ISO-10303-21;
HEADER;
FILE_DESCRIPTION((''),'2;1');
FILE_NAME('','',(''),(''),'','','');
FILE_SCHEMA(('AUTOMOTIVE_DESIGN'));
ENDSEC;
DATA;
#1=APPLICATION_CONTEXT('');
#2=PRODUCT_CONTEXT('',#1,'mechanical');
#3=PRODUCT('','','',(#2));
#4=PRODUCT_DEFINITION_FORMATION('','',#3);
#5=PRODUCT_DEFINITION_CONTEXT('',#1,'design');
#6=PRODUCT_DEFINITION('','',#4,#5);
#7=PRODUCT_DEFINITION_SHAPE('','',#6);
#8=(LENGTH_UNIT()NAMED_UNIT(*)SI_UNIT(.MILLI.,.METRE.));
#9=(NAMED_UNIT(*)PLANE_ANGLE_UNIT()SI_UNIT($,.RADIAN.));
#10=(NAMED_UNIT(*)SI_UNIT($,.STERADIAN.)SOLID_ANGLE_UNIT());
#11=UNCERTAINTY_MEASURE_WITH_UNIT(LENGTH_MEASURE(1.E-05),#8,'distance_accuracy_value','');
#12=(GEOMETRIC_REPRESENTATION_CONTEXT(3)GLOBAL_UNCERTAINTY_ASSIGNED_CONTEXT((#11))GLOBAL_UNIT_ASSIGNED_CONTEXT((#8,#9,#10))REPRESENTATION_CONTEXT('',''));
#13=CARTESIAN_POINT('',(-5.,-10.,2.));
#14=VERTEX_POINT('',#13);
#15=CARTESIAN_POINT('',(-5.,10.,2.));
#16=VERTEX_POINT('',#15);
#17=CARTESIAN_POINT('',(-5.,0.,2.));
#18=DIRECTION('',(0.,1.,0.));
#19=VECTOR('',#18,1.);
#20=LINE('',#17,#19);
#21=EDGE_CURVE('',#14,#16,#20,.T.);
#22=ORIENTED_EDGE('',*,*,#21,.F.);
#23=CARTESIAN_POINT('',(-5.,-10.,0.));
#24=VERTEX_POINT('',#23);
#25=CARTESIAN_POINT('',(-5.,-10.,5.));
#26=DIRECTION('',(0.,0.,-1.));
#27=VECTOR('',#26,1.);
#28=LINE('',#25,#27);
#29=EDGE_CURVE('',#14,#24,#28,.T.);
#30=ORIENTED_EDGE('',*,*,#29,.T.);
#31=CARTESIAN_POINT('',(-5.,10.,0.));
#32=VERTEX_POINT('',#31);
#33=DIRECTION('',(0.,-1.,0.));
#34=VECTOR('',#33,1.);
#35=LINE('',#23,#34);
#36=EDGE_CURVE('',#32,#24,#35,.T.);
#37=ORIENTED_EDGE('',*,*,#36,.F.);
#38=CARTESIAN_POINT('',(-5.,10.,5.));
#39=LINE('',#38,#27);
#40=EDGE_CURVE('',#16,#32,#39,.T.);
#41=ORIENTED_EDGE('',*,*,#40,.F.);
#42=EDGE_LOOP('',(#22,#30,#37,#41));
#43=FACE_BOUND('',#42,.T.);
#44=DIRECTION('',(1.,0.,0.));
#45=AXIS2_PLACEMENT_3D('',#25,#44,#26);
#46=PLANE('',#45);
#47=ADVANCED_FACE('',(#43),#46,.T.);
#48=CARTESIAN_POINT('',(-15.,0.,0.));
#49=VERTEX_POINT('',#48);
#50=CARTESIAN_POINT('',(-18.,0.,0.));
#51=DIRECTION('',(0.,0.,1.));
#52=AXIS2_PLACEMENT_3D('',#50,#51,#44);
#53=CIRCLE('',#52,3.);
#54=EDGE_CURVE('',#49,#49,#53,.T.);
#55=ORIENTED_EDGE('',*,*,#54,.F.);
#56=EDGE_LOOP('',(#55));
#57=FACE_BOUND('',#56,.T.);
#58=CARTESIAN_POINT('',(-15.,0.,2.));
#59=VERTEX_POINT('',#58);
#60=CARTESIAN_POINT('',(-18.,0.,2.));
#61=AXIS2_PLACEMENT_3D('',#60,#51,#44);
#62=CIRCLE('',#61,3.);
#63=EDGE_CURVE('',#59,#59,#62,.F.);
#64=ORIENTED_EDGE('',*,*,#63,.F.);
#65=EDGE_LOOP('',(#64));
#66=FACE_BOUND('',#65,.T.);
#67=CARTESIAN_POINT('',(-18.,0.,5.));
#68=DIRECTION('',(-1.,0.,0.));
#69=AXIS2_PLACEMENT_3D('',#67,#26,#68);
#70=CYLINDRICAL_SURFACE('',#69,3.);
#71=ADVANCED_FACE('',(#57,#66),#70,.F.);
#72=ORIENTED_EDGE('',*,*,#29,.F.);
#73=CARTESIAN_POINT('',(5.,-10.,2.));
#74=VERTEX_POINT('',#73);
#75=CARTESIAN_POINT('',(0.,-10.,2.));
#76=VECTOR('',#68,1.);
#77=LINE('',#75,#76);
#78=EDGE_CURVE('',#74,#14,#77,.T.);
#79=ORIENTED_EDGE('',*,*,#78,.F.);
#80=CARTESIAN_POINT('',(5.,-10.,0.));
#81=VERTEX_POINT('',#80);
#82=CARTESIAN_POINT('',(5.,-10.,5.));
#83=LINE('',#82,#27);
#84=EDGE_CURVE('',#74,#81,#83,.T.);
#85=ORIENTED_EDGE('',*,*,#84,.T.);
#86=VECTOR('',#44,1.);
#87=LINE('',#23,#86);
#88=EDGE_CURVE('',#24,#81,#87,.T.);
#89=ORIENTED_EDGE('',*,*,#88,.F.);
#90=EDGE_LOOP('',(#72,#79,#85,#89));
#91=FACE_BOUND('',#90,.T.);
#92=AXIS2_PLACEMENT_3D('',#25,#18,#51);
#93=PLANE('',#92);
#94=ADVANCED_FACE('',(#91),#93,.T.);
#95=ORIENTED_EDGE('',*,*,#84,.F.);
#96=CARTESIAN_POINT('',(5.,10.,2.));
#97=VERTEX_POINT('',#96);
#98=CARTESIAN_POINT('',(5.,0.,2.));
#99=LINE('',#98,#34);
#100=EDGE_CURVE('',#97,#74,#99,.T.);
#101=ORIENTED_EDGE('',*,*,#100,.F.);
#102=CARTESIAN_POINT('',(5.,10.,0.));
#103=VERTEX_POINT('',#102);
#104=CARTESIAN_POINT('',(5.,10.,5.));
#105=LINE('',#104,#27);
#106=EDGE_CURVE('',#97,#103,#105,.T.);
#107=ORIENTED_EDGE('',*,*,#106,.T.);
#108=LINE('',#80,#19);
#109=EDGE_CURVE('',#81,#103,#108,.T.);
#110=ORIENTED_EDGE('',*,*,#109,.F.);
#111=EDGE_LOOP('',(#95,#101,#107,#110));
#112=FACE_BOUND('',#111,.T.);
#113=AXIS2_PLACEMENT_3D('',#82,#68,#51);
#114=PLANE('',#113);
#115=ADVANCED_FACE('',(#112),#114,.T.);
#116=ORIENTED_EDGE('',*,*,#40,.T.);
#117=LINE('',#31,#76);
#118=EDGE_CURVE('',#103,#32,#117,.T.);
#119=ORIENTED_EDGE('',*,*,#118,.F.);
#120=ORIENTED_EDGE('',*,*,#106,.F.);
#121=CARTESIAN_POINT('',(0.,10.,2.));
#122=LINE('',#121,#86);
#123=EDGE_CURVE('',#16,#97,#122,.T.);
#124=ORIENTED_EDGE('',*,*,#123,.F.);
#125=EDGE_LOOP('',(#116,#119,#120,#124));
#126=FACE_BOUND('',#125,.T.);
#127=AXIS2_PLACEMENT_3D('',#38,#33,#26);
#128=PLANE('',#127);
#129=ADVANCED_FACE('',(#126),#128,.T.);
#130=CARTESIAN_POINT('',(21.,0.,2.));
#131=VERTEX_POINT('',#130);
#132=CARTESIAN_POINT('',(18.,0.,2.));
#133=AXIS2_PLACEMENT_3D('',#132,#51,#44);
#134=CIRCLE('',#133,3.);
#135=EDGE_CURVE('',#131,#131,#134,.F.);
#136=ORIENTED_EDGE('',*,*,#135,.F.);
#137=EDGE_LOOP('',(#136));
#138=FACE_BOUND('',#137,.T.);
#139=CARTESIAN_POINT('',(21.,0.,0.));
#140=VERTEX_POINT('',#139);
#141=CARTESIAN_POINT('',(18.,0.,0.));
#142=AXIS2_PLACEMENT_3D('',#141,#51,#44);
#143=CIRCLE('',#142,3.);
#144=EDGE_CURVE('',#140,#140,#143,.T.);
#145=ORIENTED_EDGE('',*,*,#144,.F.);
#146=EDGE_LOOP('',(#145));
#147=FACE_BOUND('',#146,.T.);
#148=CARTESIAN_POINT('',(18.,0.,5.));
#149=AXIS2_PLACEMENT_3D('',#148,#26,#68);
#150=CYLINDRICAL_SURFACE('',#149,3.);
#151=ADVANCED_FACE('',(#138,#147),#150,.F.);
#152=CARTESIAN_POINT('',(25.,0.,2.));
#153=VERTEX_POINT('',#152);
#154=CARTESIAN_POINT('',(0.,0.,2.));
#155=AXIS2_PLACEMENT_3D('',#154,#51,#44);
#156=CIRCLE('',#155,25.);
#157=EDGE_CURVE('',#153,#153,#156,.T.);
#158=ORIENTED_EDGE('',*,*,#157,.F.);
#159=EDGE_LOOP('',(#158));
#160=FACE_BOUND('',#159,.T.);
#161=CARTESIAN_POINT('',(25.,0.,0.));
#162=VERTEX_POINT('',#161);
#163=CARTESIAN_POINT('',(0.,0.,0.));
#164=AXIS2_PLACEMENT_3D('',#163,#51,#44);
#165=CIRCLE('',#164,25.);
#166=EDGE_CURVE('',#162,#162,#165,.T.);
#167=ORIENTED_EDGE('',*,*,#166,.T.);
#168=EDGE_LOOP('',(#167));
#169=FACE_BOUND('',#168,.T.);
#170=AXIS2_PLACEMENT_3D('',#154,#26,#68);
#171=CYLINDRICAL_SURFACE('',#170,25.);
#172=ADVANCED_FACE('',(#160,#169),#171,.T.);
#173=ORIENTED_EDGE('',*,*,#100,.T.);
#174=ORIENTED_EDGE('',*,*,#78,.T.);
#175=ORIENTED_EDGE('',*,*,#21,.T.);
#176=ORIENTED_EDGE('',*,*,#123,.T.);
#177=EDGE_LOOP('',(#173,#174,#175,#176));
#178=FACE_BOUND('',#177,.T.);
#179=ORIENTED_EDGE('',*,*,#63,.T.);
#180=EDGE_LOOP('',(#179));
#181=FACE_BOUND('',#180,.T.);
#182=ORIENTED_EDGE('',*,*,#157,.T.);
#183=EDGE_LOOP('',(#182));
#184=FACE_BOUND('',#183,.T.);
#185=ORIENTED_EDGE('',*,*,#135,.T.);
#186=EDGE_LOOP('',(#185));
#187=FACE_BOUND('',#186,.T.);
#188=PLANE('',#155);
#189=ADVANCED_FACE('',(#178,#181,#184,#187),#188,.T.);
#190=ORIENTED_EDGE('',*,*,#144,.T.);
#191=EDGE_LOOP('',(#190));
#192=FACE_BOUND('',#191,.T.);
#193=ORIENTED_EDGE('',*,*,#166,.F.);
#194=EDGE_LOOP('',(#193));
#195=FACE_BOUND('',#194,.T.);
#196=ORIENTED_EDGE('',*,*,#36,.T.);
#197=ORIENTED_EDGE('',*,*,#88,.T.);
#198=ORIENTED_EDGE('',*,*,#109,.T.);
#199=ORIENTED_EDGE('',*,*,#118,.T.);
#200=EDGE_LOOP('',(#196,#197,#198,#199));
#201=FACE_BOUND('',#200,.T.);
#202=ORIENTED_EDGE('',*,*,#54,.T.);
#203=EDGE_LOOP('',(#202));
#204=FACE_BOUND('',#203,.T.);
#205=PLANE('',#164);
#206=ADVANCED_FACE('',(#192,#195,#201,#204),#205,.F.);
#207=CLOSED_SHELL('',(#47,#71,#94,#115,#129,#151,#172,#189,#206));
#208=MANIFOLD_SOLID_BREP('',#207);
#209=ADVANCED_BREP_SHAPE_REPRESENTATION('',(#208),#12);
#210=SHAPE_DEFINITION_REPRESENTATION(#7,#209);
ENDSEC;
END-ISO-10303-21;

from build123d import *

# Parameters (mm, degrees)
SKETCH1_R           = 25
BOSS_EXTRUDE1_DEPTH = 2
SKETCH2_W           = 10
SKETCH2_H           = 20
CUT_EXTRUDE1_DEPTH  = 5
SKETCH3_R           = 3
CUT_EXTRUDE2_DEPTH  = 5


with BuildPart() as part:
    # Sketch1 → Boss-Extrude1 (new body)
    with BuildSketch(Plane.XY):
        Circle(SKETCH1_R)
    extrude(amount=BOSS_EXTRUDE1_DEPTH)

    # Sketch2 → Cut-Extrude1 (cut)
    with BuildSketch(Plane.XY):
        Rectangle(SKETCH2_W, SKETCH2_H)
    extrude(amount=CUT_EXTRUDE1_DEPTH, mode=Mode.SUBTRACT)

    # Sketch3 → Cut-Extrude2 (cut)
    with BuildSketch(Plane.XY):
        with Locations((-18, 0)):
            Circle(SKETCH3_R)
        with Locations((18, 0)):
            Circle(SKETCH3_R)
    extrude(amount=CUT_EXTRUDE2_DEPTH, mode=Mode.SUBTRACT)


solid = part.part
